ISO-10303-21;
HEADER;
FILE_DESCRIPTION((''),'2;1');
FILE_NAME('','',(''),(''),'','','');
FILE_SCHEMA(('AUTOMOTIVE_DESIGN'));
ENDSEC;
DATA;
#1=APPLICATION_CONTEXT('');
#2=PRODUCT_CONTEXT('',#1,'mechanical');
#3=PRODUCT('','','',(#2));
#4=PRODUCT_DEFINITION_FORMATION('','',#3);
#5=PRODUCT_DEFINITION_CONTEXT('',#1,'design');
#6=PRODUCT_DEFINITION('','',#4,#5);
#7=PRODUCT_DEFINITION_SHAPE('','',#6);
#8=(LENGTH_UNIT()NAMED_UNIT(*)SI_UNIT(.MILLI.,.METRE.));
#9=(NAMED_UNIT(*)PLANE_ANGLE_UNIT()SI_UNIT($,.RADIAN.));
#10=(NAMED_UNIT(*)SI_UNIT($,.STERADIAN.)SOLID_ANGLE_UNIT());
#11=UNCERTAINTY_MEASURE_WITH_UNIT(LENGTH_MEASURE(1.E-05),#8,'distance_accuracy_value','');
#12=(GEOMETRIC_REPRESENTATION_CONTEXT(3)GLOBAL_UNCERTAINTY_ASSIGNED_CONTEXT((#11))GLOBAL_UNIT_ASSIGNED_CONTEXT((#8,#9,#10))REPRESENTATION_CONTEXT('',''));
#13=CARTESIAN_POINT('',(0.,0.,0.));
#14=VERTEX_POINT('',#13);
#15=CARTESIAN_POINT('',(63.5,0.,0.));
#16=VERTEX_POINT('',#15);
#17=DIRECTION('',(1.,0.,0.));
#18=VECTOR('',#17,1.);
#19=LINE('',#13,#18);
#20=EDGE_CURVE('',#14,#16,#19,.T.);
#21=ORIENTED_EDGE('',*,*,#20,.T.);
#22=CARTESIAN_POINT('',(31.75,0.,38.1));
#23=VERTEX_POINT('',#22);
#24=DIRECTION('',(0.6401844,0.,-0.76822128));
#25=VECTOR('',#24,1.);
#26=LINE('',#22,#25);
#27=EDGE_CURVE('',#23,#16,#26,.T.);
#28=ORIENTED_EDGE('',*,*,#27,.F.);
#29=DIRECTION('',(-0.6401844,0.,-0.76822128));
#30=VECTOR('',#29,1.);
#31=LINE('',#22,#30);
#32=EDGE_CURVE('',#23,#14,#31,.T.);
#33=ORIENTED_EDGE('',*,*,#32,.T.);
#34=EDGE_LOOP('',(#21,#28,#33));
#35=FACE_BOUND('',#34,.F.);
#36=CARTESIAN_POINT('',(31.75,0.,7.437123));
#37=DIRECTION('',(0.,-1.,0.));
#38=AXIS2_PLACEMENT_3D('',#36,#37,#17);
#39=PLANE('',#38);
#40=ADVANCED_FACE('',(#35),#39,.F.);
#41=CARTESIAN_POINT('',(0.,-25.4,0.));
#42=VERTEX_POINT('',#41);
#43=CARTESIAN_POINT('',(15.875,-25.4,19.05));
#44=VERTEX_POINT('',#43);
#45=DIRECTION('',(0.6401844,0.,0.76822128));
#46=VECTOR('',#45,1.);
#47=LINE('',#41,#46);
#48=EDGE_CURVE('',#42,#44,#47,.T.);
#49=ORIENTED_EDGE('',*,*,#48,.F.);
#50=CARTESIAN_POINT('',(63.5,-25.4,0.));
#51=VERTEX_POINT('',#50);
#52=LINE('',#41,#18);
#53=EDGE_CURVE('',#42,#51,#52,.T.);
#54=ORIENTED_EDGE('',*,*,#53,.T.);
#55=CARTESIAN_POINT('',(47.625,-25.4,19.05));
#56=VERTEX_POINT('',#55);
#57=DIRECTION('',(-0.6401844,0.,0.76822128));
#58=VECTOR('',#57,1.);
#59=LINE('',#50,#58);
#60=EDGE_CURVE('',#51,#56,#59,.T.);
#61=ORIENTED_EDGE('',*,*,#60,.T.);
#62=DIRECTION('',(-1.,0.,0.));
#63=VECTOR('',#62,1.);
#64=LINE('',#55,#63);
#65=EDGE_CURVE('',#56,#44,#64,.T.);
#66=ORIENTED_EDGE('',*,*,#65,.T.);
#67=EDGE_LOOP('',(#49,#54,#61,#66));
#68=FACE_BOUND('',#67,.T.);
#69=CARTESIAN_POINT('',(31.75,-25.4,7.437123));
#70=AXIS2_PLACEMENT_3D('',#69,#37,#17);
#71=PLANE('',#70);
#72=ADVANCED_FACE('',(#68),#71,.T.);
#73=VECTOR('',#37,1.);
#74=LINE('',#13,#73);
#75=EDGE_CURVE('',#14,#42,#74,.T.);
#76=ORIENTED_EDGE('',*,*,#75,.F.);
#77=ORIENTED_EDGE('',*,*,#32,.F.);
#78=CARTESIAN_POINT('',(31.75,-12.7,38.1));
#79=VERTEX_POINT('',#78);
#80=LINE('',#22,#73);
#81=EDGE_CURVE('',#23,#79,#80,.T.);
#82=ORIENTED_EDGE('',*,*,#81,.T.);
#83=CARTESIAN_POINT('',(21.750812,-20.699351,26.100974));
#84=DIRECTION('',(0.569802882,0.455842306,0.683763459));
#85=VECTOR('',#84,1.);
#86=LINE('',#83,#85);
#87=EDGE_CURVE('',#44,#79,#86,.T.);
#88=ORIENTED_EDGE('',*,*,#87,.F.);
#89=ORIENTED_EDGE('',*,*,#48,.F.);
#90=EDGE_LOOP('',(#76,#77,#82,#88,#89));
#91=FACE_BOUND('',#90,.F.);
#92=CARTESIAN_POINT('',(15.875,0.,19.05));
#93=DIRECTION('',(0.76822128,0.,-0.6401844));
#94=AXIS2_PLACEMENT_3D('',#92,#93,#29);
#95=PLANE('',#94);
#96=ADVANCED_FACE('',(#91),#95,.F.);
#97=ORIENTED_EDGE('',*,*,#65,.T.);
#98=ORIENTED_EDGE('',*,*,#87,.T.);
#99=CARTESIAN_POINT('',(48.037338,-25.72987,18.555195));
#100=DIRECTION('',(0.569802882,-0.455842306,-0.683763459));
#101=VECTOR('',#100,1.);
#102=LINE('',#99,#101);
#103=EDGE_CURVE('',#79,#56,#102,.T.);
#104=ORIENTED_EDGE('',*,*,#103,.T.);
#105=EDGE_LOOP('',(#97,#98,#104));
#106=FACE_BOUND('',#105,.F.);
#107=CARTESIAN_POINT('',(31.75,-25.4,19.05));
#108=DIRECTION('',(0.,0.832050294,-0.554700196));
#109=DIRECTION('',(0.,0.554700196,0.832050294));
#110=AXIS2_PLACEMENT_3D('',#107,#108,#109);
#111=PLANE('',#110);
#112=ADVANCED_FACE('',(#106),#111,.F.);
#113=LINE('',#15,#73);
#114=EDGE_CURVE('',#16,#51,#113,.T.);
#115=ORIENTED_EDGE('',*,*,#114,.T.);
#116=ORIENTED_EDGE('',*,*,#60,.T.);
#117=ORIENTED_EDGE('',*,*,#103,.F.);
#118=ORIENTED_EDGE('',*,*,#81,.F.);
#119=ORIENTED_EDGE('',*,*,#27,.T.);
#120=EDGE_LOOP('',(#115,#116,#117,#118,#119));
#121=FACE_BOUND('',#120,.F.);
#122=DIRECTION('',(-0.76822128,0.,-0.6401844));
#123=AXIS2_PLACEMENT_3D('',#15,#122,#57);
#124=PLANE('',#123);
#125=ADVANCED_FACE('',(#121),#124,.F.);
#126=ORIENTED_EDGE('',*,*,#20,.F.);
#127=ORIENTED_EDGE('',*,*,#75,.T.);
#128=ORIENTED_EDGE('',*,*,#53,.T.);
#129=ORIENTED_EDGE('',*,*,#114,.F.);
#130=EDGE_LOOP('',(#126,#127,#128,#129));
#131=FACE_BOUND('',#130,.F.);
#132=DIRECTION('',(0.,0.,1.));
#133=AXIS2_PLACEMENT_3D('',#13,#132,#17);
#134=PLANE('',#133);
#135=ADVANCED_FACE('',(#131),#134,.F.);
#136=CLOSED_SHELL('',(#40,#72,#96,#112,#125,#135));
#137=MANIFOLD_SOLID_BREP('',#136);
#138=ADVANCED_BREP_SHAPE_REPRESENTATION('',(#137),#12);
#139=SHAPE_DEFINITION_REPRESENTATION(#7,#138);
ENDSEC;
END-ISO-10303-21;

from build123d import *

# Parameters (mm, degrees)
F1_DEPTH = 25.4
F2_DEPTH = 25.4
F6_DEPTH = 15.875


with BuildPart() as f1:
    # F0 (on Front) → F1 (new body)
    with BuildSketch(Plane.XZ):
        Polygon((15.875, 19.05), (0, 0), (63.5, 0), (47.625, 19.05), align=None)
    extrude(amount=F1_DEPTH)

    # F0 (on Front) → F2 (join)
    with BuildSketch(Plane.XZ):
        Polygon((15.875, 19.05), (0, 0), (63.5, 0), (47.625, 19.05), align=None)
        Polygon((31.75, 38.1), (15.875, 19.05), (47.625, 19.05), align=None)
    extrude(amount=F2_DEPTH)

    # F5 (on 3pt) → F6 (cut, symmetric)
    with BuildSketch(Plane.YZ.offset(31.75)):
        Polygon((-25.4, 19.05), (-12.7, 38.1), (-25.4, 38.1), align=None)
    extrude(amount=F6_DEPTH, both=True, mode=Mode.SUBTRACT)


solid = f1.part
